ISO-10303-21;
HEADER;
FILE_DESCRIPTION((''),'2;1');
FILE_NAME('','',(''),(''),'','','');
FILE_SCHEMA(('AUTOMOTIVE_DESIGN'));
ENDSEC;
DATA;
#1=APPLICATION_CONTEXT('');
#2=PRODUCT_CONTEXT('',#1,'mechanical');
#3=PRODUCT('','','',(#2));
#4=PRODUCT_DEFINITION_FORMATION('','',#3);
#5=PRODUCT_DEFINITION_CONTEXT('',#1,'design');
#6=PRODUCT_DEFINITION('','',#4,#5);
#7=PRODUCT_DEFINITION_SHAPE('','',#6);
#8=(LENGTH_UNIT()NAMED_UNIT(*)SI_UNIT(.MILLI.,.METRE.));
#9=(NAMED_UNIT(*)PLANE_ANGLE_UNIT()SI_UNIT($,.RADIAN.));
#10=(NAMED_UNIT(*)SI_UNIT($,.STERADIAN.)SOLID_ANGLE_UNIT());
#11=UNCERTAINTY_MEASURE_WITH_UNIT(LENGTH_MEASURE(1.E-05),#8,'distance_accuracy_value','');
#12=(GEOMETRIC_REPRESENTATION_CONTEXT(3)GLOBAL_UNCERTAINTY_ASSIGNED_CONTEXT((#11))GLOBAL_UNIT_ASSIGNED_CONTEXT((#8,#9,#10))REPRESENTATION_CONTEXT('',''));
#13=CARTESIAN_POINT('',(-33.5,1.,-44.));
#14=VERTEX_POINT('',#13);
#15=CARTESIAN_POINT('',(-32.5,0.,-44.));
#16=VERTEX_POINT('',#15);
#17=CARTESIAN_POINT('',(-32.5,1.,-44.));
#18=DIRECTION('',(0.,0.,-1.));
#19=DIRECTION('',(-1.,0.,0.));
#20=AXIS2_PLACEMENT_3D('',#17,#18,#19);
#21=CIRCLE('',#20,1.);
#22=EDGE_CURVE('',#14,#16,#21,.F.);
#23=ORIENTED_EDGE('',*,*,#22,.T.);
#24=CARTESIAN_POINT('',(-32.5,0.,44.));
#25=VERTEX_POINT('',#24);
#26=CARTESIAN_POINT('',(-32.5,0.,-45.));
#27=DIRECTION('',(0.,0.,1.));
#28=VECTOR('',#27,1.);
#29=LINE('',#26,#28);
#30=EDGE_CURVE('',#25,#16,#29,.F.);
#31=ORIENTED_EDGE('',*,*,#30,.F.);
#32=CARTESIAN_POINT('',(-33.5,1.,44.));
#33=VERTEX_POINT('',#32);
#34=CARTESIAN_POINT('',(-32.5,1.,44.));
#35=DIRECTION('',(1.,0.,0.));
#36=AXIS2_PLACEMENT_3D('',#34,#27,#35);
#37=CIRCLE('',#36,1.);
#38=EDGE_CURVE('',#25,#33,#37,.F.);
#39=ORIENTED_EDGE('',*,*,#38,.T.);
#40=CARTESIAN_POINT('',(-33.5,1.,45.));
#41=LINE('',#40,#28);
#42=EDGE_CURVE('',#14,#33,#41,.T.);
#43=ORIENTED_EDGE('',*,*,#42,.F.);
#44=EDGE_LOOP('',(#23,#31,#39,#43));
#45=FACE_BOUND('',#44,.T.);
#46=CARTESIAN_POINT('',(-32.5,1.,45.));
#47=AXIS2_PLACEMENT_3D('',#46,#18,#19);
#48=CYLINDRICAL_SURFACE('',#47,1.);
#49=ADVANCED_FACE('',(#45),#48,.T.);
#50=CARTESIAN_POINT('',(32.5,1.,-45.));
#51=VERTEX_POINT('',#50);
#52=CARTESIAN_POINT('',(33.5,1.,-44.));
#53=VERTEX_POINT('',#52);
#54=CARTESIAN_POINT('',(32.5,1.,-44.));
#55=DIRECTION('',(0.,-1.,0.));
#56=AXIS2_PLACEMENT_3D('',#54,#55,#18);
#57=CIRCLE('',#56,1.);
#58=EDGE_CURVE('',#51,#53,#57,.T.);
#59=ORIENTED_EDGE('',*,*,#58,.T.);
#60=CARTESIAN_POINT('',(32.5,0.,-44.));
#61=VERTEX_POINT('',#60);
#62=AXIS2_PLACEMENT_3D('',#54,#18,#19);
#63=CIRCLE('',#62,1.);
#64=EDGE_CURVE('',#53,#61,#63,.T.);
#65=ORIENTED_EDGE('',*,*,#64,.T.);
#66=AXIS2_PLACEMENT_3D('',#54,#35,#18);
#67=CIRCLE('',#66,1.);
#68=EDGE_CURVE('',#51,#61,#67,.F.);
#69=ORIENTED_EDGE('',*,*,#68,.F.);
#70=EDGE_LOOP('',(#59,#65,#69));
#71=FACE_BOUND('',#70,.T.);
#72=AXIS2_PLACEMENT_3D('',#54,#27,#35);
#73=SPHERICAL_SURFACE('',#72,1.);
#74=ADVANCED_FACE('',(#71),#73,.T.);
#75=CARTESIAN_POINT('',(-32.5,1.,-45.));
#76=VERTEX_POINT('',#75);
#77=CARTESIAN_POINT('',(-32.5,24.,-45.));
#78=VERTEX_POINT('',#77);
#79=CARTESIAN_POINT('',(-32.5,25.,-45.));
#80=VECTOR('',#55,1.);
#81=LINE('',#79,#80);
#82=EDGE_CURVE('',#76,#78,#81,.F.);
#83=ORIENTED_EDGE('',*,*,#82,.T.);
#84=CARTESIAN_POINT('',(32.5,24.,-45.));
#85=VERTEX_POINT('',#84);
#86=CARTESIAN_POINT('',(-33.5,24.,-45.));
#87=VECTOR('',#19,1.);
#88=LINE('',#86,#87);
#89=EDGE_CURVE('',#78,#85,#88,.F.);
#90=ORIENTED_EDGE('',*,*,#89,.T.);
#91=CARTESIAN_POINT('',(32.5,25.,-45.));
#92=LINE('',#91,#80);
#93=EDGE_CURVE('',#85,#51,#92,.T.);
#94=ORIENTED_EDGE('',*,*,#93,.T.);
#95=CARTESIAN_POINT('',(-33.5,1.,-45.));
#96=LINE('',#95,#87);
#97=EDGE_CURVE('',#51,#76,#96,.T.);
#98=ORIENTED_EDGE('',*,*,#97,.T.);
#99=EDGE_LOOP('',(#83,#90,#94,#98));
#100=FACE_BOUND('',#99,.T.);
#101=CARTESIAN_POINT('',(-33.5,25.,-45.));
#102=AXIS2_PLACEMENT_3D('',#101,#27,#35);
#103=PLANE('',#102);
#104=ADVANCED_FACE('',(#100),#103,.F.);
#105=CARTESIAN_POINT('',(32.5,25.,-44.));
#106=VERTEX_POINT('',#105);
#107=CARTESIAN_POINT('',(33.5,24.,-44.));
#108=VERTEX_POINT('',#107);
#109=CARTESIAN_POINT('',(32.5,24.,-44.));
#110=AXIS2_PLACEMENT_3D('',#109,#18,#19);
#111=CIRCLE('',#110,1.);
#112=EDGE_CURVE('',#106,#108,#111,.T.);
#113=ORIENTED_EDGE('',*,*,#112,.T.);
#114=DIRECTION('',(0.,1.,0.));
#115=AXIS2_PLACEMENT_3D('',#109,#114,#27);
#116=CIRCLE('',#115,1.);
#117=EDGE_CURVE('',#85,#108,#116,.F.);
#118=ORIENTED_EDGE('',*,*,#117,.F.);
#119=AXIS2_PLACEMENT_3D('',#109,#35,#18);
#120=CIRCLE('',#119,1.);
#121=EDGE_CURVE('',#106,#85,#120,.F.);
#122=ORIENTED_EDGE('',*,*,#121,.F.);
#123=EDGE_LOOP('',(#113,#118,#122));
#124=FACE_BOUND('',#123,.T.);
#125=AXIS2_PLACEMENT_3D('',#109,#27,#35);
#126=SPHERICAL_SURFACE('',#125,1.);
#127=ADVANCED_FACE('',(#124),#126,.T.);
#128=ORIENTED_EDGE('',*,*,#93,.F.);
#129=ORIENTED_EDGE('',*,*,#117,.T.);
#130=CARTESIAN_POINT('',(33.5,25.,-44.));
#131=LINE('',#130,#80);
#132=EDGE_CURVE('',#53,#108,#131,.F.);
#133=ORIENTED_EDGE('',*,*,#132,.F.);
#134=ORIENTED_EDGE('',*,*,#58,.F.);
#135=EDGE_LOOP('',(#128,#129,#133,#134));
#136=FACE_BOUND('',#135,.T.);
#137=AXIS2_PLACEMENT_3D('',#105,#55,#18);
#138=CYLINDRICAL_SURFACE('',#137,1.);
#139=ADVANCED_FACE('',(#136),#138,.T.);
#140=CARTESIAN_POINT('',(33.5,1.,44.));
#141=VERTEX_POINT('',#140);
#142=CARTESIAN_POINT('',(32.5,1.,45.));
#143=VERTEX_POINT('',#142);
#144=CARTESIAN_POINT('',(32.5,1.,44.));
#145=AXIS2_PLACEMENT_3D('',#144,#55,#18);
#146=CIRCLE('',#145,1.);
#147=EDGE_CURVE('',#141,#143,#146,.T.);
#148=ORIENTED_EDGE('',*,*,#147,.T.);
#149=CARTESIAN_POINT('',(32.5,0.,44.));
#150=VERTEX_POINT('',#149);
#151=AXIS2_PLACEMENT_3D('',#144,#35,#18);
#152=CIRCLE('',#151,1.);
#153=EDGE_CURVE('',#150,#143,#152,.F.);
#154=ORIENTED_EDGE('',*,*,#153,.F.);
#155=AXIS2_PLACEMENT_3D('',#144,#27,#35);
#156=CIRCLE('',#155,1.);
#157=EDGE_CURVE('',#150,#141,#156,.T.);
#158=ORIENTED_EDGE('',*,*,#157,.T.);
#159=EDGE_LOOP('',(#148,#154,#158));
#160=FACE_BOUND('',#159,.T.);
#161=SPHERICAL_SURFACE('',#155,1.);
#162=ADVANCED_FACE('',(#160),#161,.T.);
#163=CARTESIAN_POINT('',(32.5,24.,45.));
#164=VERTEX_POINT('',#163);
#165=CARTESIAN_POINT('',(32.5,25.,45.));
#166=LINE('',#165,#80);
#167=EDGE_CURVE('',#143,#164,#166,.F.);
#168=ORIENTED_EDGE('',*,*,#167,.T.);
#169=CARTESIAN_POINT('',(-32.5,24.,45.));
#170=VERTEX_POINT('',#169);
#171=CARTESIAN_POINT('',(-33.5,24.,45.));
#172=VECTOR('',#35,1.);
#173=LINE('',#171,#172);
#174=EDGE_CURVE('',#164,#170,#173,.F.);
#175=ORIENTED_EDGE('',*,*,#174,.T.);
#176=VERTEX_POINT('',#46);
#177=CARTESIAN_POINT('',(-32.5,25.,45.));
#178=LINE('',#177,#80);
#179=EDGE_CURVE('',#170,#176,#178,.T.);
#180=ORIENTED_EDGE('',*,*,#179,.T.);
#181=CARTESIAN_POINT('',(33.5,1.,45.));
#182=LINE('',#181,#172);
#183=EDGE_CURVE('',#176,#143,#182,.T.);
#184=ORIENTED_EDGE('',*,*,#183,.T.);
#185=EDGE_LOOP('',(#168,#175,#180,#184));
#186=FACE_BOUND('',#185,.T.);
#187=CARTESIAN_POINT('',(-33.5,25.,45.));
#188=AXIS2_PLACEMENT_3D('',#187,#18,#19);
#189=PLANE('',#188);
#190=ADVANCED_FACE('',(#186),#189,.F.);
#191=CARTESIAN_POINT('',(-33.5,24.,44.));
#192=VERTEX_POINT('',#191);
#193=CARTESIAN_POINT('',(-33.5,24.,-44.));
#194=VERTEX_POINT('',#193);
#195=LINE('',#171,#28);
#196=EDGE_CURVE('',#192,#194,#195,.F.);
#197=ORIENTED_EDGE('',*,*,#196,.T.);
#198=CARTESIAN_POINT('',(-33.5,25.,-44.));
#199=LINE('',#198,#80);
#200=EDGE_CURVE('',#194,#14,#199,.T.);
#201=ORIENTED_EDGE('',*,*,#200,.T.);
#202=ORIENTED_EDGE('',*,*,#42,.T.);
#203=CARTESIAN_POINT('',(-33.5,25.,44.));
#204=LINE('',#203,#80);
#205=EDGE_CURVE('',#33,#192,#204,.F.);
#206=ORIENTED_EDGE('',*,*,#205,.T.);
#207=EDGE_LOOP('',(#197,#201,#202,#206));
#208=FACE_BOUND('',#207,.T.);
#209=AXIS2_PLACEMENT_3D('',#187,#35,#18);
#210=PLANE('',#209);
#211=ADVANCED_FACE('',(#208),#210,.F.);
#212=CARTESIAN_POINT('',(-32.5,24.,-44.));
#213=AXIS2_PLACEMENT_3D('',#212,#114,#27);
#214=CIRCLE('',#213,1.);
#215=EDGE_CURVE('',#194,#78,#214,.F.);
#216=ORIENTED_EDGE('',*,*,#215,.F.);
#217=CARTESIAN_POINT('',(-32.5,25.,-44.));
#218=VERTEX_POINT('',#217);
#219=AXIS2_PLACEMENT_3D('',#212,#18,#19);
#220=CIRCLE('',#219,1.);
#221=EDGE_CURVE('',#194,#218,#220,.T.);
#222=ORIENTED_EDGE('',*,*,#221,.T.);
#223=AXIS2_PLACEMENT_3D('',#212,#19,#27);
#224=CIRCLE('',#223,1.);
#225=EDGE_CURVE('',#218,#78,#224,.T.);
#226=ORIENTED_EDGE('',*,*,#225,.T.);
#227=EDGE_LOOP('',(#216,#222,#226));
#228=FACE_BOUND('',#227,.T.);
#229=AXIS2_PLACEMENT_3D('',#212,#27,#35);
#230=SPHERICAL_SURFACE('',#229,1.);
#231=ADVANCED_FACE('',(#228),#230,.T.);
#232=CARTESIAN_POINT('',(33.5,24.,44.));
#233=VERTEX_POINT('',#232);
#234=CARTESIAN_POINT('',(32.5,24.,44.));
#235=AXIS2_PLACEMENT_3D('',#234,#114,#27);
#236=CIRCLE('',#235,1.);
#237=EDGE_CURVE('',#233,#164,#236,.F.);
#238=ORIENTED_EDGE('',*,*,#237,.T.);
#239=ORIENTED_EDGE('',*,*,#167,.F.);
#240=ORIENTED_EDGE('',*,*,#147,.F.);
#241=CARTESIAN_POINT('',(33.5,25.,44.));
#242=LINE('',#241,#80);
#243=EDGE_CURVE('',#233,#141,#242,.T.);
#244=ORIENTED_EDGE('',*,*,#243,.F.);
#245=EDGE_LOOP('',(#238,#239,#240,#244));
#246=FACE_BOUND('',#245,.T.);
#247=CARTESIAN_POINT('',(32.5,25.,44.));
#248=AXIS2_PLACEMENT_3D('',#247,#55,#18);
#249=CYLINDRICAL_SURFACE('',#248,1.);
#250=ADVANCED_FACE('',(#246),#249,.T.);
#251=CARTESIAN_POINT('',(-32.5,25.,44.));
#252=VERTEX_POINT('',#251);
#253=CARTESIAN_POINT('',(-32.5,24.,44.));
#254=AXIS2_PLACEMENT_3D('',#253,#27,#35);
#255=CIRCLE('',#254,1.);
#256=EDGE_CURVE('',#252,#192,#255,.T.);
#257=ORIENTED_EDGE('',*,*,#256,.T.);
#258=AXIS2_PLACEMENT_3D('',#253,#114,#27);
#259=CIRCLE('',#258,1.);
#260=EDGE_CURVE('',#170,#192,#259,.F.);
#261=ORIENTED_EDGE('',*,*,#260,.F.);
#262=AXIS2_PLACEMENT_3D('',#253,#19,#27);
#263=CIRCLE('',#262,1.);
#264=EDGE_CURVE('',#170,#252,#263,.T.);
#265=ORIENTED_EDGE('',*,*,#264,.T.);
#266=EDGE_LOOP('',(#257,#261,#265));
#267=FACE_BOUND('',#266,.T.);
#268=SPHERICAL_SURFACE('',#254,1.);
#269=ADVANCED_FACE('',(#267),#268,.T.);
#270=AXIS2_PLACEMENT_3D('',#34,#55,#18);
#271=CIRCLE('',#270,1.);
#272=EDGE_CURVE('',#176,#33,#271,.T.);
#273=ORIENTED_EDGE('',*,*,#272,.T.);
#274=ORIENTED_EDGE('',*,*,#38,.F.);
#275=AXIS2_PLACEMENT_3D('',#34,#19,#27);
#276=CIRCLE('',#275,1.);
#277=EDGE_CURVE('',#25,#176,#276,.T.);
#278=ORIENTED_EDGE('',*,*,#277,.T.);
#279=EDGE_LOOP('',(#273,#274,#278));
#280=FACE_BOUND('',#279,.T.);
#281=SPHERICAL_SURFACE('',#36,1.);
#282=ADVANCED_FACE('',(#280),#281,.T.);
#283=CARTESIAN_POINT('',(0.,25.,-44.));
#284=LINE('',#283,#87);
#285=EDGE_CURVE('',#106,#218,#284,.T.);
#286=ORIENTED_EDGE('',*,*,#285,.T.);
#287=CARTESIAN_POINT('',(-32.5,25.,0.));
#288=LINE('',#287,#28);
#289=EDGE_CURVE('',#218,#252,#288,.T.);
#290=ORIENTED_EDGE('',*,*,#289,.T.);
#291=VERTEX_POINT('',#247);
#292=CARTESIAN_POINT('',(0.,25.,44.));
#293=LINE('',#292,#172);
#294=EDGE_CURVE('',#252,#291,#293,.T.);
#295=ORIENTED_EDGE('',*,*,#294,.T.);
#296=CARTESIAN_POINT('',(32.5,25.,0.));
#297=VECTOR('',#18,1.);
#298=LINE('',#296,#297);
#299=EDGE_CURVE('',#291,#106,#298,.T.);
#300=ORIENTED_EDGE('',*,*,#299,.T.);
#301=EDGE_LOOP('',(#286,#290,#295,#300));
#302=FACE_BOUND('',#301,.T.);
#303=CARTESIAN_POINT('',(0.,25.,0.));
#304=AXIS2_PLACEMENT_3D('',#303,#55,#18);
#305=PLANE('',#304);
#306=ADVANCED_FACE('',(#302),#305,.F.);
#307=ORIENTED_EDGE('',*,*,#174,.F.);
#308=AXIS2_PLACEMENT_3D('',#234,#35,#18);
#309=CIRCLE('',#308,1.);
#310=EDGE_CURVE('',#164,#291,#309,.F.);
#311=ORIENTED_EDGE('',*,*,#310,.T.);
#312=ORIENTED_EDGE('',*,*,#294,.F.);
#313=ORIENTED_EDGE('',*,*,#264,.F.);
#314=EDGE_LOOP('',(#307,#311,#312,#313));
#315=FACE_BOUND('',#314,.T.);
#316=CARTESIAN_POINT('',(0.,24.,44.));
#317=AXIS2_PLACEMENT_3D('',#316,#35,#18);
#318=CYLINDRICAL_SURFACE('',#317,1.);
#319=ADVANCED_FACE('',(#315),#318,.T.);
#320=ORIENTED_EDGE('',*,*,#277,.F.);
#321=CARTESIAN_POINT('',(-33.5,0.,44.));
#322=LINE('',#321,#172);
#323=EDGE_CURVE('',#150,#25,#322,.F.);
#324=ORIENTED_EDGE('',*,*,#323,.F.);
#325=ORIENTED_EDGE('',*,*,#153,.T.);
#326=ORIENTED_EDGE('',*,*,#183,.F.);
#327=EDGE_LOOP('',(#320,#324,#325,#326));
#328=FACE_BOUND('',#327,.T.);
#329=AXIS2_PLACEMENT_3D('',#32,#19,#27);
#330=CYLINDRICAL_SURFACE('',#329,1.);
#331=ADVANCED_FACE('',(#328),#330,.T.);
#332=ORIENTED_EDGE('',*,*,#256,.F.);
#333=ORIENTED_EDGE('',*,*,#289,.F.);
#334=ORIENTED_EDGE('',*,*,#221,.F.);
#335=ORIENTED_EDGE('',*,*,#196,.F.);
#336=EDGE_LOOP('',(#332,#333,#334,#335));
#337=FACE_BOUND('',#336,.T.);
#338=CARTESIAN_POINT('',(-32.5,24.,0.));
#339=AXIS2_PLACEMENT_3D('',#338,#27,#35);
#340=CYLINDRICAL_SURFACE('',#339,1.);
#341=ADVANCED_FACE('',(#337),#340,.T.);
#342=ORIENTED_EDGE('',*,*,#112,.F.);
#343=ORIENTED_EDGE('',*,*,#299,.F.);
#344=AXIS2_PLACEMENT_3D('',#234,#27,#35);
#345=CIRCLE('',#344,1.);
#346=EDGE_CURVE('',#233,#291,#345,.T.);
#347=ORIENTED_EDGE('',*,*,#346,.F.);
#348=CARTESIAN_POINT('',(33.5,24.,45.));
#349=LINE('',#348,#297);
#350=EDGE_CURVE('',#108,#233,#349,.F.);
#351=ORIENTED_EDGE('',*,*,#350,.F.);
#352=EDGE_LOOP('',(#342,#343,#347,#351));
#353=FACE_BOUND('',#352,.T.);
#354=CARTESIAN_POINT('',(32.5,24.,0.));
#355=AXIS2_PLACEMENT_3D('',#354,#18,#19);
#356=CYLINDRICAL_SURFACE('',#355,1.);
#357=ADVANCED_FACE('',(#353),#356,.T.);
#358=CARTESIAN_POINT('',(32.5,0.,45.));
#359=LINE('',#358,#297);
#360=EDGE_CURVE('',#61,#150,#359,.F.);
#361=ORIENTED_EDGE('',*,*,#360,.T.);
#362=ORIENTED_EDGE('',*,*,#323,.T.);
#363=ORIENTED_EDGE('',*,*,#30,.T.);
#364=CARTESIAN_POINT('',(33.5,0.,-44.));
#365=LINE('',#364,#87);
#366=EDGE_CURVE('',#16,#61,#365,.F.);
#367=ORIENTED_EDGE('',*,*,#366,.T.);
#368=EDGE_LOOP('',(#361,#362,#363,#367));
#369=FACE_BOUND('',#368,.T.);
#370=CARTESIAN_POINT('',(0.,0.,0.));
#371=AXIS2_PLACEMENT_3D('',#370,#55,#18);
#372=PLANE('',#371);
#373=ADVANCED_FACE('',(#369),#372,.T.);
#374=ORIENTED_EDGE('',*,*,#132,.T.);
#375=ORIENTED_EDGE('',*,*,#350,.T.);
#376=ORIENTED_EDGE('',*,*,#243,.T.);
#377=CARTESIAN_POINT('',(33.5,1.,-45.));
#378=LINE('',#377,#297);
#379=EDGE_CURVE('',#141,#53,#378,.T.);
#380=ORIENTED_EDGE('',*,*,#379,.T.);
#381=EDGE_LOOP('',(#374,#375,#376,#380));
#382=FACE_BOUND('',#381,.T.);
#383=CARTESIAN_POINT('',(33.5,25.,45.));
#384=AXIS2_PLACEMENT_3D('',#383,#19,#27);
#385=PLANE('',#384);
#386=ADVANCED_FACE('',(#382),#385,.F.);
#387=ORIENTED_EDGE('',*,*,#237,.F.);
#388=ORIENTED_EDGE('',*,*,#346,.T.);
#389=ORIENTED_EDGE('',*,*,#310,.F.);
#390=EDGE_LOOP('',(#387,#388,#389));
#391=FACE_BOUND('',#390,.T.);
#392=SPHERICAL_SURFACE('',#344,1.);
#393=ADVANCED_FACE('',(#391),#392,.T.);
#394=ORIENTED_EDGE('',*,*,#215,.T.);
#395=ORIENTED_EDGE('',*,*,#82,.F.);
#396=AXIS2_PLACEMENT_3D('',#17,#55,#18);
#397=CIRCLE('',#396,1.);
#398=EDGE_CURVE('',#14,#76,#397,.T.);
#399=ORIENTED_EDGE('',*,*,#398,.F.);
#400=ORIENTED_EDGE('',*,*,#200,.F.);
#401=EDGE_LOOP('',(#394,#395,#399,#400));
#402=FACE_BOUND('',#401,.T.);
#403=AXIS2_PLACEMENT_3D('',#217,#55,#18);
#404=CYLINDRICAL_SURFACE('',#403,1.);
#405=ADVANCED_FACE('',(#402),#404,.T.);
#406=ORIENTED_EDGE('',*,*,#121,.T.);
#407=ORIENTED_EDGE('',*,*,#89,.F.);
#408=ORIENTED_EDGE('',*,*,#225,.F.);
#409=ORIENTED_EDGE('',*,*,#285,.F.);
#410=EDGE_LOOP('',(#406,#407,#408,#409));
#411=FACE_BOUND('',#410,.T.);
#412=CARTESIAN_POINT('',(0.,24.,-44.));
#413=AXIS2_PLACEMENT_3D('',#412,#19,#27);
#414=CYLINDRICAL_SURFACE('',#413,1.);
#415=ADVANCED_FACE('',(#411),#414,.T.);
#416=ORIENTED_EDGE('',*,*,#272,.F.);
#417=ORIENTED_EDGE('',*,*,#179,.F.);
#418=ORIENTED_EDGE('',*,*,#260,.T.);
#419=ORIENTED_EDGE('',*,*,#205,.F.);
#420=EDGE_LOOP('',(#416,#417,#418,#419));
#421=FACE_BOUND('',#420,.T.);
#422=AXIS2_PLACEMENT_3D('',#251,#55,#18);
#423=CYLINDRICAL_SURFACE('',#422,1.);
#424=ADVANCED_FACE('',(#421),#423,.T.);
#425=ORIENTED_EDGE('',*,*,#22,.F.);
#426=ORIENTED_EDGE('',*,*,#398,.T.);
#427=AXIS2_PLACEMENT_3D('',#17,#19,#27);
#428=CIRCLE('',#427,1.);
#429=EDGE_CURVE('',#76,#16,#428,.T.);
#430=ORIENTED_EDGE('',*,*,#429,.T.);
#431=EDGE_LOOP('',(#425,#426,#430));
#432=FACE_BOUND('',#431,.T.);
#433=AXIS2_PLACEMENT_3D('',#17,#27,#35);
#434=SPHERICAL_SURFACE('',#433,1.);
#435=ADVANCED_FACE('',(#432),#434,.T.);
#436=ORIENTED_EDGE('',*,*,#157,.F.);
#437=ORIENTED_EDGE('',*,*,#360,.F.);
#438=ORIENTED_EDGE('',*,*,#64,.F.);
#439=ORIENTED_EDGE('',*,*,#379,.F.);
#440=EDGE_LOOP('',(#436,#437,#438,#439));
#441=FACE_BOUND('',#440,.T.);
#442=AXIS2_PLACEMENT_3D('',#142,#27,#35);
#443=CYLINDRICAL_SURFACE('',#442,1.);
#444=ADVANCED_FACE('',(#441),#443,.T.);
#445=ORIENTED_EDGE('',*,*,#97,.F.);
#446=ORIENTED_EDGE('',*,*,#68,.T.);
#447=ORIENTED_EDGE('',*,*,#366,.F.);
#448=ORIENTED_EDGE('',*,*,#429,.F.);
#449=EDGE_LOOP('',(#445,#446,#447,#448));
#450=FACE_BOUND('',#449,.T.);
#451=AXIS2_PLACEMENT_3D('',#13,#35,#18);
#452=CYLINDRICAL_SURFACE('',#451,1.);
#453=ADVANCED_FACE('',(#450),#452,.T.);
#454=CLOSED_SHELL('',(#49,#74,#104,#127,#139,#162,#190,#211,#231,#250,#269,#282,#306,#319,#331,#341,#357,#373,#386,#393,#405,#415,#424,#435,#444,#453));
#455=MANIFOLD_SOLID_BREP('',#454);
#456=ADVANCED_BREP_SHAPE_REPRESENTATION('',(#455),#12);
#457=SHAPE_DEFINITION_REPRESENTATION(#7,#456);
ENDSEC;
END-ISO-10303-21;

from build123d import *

# Parameters (mm, degrees)
SKETCH1_W           = 67
SKETCH1_H           = 90
BOSS_EXTRUDE1_DEPTH = 25
FILLET1_R           = 1


with BuildPart() as part:
    # Sketch1 → Boss-Extrude1 (new body)
    with BuildSketch(Plane(origin=(0, 0, 0), x_dir=(1, 0, 0), z_dir=(0, 1, 0))):
        Rectangle(SKETCH1_W, SKETCH1_H)
    extrude(amount=BOSS_EXTRUDE1_DEPTH)

    # Fillet1
    fillet1_edges = [part.edges().sort_by_distance(p)[0] for p in [
        (-33.5, 25, 0),
        (0, 25, 45),
        (33.5, 25, 0),
        (0, 0, 45),
        (-33.5, 0, 0),
        (0, 0, -45),
        (33.5, 0, 0),
        (33.5, 12.5, 45),
        (-33.5, 12.5, 45),
        (-33.5, 12.5, -45),
        (33.5, 12.5, -45),
        (0, 25, -45),
    ]]
    fillet(fillet1_edges, radius=FILLET1_R)


solid = part.part
